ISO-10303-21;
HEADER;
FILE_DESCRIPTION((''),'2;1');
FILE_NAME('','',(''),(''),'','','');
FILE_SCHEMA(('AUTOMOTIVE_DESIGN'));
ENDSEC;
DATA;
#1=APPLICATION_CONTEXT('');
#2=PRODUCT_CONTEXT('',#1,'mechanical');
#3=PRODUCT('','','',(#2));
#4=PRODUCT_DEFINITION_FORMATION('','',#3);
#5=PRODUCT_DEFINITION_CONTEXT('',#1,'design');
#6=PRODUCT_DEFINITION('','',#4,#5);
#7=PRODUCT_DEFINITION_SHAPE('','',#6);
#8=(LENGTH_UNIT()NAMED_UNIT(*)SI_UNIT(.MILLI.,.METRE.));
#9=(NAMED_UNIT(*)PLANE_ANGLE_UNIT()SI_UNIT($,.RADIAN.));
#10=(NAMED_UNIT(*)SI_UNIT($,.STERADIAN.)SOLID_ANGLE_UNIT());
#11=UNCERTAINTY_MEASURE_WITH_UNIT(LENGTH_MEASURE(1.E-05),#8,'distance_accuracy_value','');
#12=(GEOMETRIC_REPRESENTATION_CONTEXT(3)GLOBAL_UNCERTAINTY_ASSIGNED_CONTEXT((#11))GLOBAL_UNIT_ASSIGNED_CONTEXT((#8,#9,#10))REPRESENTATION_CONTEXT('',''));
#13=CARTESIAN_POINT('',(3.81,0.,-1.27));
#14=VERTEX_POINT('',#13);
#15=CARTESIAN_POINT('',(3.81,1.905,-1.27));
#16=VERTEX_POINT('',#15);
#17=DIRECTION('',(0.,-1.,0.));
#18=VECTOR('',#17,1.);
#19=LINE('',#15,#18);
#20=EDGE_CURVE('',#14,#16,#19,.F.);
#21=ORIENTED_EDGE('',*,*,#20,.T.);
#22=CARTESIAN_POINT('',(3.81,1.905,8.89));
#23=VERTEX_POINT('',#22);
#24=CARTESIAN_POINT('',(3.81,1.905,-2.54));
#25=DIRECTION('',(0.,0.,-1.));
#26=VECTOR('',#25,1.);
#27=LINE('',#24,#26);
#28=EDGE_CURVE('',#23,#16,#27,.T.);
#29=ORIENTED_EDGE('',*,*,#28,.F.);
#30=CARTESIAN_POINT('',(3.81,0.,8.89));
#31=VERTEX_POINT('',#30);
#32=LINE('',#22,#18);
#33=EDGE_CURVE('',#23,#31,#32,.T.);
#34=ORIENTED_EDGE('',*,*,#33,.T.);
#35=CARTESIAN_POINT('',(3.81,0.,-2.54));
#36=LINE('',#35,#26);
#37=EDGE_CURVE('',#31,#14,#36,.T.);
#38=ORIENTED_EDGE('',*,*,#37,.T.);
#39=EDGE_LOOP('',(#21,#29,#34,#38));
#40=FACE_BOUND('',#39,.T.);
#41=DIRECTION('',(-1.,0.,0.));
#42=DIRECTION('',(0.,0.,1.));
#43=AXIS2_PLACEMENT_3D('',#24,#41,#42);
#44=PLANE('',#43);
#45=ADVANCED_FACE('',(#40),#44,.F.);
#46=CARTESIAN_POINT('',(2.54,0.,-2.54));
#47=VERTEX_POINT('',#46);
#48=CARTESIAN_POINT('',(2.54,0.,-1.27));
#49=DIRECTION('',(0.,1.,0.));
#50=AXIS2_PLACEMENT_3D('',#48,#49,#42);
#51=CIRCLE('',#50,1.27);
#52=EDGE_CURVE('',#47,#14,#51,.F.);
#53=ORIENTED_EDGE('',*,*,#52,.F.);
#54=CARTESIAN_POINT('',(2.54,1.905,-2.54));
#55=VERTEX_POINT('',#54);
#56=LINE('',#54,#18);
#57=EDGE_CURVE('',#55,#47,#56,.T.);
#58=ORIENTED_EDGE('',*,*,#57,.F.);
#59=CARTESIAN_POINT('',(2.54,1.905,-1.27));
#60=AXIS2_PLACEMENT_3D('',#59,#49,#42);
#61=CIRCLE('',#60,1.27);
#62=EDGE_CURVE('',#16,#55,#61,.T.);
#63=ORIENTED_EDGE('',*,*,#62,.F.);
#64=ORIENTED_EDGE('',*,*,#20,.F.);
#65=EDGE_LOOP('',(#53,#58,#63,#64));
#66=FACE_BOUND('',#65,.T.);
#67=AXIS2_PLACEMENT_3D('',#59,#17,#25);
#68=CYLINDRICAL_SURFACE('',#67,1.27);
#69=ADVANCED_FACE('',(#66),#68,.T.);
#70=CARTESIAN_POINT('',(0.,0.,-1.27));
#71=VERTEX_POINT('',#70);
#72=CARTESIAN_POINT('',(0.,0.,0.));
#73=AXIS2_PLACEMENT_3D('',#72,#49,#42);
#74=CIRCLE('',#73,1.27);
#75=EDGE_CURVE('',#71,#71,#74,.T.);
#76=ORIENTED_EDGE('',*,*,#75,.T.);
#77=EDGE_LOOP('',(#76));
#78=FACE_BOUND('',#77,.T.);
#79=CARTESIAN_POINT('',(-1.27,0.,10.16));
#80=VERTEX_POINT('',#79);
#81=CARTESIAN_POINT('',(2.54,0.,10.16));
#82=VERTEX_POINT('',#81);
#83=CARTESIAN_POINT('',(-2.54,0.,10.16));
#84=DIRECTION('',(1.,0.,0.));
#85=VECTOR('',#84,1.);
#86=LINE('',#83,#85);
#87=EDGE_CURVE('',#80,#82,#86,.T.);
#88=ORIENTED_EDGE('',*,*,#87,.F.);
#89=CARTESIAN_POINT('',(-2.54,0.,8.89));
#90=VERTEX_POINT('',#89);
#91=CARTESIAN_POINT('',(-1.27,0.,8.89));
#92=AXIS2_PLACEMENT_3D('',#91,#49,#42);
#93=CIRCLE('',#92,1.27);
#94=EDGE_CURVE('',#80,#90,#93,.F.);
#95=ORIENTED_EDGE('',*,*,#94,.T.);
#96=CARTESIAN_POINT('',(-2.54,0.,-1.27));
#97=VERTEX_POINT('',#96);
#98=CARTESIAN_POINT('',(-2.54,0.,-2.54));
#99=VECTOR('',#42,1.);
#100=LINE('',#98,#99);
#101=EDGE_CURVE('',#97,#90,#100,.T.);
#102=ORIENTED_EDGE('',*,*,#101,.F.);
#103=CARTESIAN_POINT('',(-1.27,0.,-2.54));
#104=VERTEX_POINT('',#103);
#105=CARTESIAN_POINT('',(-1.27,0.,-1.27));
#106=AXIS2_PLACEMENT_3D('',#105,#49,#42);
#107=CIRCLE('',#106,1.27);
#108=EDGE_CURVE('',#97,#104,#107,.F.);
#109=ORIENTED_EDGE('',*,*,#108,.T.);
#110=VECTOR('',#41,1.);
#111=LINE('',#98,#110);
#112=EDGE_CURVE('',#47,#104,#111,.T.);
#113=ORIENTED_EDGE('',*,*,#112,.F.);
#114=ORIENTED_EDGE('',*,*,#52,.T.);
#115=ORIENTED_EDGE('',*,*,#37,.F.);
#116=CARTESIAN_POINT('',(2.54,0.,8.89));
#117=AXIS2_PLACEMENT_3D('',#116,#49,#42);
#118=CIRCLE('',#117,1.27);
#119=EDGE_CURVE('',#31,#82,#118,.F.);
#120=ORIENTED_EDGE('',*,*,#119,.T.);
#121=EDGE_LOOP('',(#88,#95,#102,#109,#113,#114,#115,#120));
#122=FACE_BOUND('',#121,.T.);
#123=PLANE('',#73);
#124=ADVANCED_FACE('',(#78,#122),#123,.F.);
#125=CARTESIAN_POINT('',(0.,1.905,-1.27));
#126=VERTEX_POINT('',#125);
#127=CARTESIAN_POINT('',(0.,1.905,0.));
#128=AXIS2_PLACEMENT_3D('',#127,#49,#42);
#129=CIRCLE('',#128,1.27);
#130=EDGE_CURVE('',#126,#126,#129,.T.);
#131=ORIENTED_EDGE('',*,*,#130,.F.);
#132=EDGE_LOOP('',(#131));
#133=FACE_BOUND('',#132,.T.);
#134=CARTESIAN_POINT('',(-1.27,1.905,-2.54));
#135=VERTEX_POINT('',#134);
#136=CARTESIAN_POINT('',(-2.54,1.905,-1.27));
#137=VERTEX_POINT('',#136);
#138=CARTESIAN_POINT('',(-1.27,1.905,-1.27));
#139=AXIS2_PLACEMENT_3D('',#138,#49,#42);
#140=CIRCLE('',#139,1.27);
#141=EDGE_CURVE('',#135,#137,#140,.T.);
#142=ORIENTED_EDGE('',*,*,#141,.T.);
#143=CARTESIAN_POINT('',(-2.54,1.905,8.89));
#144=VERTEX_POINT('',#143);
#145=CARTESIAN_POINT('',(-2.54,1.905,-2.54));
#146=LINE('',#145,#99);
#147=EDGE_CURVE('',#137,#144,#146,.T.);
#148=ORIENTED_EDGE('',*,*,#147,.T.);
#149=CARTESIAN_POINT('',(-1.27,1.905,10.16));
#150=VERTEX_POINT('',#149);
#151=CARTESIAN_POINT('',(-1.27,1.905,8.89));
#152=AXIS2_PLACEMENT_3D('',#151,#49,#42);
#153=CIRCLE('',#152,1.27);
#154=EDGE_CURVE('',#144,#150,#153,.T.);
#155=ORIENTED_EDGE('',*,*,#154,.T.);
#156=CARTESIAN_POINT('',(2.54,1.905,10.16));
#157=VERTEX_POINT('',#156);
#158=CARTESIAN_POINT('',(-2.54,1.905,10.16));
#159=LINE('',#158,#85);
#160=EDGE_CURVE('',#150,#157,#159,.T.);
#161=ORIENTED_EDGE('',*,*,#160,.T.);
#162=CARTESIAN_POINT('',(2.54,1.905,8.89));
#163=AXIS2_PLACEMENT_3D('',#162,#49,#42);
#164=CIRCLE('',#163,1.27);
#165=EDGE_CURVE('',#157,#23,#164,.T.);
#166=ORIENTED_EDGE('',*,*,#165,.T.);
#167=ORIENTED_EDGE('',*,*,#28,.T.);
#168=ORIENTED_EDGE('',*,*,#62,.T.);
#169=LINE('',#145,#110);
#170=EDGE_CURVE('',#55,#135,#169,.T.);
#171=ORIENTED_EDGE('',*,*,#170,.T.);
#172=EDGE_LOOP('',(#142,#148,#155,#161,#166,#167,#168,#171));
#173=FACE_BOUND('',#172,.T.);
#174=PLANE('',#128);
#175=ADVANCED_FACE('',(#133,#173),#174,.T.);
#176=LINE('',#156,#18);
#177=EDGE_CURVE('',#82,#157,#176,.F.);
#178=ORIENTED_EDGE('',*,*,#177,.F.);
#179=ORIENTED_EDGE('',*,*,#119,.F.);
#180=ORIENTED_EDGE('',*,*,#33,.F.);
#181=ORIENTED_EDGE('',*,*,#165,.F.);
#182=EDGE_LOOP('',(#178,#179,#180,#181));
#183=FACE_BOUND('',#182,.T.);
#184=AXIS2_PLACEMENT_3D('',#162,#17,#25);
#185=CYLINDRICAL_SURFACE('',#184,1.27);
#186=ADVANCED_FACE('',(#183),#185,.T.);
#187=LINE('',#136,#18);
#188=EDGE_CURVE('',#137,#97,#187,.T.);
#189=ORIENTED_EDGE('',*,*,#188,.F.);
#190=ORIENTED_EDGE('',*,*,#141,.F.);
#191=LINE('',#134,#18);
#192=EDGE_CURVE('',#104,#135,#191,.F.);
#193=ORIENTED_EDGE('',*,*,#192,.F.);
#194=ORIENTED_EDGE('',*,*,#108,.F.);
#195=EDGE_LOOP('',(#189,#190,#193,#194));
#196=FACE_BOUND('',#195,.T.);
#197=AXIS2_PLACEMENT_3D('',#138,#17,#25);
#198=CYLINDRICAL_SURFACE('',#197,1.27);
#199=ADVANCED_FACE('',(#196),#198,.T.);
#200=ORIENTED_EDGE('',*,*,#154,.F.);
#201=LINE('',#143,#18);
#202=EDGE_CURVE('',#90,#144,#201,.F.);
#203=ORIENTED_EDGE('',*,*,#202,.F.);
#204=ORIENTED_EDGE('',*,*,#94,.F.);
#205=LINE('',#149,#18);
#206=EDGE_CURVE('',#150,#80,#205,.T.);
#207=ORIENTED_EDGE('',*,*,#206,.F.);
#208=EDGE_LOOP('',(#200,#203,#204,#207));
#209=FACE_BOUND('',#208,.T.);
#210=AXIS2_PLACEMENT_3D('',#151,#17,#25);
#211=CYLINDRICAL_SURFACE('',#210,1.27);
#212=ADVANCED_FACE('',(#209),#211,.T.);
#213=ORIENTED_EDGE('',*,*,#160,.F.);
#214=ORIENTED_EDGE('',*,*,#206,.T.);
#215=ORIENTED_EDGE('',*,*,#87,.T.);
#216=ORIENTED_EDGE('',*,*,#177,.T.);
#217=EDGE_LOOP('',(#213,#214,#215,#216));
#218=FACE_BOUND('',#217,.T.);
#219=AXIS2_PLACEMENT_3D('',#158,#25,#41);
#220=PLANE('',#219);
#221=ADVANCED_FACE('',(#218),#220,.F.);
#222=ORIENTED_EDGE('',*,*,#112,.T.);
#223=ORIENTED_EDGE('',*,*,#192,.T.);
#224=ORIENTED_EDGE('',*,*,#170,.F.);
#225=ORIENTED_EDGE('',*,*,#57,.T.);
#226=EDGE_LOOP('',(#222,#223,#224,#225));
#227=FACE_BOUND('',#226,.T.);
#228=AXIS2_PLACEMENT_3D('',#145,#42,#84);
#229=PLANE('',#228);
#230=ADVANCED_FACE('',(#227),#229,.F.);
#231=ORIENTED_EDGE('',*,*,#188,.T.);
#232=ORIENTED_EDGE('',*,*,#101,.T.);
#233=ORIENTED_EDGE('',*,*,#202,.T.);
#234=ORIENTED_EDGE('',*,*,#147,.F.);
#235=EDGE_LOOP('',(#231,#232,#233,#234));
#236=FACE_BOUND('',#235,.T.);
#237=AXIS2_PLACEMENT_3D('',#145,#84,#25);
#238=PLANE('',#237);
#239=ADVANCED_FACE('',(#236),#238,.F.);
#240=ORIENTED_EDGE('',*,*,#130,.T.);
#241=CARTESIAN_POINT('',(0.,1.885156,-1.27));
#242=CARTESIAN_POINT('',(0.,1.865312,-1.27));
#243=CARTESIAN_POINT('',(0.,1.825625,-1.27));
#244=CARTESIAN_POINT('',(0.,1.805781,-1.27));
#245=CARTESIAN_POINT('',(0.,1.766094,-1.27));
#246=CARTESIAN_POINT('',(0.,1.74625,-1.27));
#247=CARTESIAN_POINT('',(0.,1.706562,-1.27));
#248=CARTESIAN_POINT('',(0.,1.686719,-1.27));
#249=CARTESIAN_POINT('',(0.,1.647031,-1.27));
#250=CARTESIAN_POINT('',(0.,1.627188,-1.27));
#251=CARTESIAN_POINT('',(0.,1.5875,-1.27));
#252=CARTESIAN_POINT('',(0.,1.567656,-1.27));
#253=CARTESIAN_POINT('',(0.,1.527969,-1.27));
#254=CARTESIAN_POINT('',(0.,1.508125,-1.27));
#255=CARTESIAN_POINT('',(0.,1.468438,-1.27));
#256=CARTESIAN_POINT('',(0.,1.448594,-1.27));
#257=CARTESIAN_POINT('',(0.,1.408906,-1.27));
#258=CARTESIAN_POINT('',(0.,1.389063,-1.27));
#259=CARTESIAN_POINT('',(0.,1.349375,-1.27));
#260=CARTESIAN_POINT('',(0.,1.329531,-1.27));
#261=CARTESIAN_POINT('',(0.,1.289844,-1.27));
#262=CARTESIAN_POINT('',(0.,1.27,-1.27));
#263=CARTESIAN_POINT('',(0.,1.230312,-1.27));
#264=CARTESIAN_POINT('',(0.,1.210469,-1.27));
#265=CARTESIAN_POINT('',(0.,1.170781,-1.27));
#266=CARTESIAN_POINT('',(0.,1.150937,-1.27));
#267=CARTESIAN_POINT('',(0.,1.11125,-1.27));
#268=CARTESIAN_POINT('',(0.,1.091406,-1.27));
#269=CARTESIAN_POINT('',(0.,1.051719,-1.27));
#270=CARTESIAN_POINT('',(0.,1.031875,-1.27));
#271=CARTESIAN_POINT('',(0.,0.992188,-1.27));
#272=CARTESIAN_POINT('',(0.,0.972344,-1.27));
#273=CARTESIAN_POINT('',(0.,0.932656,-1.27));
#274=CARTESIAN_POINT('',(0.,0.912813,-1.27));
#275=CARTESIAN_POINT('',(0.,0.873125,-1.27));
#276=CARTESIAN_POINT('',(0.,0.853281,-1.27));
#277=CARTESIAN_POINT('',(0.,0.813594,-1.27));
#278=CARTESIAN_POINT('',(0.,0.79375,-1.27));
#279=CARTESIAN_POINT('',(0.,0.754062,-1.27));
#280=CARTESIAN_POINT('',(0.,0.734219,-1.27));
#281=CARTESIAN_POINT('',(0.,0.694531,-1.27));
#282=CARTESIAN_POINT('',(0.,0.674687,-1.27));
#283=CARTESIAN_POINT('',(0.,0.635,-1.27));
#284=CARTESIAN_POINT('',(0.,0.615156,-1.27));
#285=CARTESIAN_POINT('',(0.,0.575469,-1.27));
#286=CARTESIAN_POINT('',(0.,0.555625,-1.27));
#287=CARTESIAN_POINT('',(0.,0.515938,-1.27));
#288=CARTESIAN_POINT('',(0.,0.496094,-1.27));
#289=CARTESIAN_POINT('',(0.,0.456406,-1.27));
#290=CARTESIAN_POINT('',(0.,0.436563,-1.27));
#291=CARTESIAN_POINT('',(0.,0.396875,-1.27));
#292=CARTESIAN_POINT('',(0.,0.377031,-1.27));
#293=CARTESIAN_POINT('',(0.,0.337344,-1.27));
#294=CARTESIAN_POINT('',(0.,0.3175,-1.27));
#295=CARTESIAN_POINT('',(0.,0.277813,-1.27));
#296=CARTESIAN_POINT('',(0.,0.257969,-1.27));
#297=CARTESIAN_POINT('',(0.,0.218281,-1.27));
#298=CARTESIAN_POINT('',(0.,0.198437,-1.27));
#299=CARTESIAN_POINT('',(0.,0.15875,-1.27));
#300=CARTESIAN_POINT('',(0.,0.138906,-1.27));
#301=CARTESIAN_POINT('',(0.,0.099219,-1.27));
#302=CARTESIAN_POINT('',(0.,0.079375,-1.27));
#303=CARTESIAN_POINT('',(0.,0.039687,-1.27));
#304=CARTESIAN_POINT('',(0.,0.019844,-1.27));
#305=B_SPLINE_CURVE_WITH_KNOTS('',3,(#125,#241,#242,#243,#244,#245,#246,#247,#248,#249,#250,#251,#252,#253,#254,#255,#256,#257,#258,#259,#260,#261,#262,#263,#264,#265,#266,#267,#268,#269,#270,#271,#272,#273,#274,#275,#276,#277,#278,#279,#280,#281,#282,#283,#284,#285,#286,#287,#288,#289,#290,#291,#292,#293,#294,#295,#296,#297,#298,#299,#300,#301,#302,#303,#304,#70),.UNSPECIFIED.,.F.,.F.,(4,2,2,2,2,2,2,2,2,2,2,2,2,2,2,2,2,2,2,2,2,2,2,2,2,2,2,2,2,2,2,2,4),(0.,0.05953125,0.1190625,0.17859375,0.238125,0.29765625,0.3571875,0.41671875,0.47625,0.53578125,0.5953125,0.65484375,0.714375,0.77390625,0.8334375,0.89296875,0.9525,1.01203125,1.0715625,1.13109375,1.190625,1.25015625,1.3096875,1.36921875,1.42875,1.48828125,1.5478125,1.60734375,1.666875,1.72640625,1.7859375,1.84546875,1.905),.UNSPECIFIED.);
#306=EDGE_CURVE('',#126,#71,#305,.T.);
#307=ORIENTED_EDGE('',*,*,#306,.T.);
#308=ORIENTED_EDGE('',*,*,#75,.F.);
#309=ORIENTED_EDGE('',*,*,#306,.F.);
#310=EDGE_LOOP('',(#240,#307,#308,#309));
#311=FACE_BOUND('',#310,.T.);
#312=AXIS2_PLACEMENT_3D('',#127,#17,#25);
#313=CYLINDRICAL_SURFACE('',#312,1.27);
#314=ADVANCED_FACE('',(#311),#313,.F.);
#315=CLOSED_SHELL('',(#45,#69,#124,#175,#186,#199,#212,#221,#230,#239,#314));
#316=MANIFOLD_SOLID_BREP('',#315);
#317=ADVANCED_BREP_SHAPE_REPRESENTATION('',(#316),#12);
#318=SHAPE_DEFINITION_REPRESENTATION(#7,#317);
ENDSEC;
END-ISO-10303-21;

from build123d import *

# Parameters (mm, degrees)
SKETCH1_W           = 6.35
SKETCH1_H           = 12.7
SKETCH1_R           = 1.27
BOSS_EXTRUDE1_DEPTH = 1.905
FILLET1_R           = 1.27


with BuildPart() as part:
    # Sketch1 → Boss-Extrude1 (new body)
    with BuildSketch(Plane(origin=(0, 0, 0), x_dir=(1, 0, 0), z_dir=(0, 1, 0))):
        with Locations((0.635, -3.81)):
            Rectangle(SKETCH1_W, SKETCH1_H)
        with Locations(Location((0, 0, 0), (0, 0, 90))):
            Circle(SKETCH1_R, mode=Mode.SUBTRACT)
    extrude(amount=BOSS_EXTRUDE1_DEPTH)

    # Fillet1
    fillet1_edges = [part.edges().sort_by_distance(p)[0] for p in [
        (-2.54, 0.9525, -2.54),
        (3.81, 0.9525, -2.54),
        (3.81, 0.9525, 10.16),
        (-2.54, 0.9525, 10.16),
    ]]
    fillet(fillet1_edges, radius=FILLET1_R)


solid = part.part
